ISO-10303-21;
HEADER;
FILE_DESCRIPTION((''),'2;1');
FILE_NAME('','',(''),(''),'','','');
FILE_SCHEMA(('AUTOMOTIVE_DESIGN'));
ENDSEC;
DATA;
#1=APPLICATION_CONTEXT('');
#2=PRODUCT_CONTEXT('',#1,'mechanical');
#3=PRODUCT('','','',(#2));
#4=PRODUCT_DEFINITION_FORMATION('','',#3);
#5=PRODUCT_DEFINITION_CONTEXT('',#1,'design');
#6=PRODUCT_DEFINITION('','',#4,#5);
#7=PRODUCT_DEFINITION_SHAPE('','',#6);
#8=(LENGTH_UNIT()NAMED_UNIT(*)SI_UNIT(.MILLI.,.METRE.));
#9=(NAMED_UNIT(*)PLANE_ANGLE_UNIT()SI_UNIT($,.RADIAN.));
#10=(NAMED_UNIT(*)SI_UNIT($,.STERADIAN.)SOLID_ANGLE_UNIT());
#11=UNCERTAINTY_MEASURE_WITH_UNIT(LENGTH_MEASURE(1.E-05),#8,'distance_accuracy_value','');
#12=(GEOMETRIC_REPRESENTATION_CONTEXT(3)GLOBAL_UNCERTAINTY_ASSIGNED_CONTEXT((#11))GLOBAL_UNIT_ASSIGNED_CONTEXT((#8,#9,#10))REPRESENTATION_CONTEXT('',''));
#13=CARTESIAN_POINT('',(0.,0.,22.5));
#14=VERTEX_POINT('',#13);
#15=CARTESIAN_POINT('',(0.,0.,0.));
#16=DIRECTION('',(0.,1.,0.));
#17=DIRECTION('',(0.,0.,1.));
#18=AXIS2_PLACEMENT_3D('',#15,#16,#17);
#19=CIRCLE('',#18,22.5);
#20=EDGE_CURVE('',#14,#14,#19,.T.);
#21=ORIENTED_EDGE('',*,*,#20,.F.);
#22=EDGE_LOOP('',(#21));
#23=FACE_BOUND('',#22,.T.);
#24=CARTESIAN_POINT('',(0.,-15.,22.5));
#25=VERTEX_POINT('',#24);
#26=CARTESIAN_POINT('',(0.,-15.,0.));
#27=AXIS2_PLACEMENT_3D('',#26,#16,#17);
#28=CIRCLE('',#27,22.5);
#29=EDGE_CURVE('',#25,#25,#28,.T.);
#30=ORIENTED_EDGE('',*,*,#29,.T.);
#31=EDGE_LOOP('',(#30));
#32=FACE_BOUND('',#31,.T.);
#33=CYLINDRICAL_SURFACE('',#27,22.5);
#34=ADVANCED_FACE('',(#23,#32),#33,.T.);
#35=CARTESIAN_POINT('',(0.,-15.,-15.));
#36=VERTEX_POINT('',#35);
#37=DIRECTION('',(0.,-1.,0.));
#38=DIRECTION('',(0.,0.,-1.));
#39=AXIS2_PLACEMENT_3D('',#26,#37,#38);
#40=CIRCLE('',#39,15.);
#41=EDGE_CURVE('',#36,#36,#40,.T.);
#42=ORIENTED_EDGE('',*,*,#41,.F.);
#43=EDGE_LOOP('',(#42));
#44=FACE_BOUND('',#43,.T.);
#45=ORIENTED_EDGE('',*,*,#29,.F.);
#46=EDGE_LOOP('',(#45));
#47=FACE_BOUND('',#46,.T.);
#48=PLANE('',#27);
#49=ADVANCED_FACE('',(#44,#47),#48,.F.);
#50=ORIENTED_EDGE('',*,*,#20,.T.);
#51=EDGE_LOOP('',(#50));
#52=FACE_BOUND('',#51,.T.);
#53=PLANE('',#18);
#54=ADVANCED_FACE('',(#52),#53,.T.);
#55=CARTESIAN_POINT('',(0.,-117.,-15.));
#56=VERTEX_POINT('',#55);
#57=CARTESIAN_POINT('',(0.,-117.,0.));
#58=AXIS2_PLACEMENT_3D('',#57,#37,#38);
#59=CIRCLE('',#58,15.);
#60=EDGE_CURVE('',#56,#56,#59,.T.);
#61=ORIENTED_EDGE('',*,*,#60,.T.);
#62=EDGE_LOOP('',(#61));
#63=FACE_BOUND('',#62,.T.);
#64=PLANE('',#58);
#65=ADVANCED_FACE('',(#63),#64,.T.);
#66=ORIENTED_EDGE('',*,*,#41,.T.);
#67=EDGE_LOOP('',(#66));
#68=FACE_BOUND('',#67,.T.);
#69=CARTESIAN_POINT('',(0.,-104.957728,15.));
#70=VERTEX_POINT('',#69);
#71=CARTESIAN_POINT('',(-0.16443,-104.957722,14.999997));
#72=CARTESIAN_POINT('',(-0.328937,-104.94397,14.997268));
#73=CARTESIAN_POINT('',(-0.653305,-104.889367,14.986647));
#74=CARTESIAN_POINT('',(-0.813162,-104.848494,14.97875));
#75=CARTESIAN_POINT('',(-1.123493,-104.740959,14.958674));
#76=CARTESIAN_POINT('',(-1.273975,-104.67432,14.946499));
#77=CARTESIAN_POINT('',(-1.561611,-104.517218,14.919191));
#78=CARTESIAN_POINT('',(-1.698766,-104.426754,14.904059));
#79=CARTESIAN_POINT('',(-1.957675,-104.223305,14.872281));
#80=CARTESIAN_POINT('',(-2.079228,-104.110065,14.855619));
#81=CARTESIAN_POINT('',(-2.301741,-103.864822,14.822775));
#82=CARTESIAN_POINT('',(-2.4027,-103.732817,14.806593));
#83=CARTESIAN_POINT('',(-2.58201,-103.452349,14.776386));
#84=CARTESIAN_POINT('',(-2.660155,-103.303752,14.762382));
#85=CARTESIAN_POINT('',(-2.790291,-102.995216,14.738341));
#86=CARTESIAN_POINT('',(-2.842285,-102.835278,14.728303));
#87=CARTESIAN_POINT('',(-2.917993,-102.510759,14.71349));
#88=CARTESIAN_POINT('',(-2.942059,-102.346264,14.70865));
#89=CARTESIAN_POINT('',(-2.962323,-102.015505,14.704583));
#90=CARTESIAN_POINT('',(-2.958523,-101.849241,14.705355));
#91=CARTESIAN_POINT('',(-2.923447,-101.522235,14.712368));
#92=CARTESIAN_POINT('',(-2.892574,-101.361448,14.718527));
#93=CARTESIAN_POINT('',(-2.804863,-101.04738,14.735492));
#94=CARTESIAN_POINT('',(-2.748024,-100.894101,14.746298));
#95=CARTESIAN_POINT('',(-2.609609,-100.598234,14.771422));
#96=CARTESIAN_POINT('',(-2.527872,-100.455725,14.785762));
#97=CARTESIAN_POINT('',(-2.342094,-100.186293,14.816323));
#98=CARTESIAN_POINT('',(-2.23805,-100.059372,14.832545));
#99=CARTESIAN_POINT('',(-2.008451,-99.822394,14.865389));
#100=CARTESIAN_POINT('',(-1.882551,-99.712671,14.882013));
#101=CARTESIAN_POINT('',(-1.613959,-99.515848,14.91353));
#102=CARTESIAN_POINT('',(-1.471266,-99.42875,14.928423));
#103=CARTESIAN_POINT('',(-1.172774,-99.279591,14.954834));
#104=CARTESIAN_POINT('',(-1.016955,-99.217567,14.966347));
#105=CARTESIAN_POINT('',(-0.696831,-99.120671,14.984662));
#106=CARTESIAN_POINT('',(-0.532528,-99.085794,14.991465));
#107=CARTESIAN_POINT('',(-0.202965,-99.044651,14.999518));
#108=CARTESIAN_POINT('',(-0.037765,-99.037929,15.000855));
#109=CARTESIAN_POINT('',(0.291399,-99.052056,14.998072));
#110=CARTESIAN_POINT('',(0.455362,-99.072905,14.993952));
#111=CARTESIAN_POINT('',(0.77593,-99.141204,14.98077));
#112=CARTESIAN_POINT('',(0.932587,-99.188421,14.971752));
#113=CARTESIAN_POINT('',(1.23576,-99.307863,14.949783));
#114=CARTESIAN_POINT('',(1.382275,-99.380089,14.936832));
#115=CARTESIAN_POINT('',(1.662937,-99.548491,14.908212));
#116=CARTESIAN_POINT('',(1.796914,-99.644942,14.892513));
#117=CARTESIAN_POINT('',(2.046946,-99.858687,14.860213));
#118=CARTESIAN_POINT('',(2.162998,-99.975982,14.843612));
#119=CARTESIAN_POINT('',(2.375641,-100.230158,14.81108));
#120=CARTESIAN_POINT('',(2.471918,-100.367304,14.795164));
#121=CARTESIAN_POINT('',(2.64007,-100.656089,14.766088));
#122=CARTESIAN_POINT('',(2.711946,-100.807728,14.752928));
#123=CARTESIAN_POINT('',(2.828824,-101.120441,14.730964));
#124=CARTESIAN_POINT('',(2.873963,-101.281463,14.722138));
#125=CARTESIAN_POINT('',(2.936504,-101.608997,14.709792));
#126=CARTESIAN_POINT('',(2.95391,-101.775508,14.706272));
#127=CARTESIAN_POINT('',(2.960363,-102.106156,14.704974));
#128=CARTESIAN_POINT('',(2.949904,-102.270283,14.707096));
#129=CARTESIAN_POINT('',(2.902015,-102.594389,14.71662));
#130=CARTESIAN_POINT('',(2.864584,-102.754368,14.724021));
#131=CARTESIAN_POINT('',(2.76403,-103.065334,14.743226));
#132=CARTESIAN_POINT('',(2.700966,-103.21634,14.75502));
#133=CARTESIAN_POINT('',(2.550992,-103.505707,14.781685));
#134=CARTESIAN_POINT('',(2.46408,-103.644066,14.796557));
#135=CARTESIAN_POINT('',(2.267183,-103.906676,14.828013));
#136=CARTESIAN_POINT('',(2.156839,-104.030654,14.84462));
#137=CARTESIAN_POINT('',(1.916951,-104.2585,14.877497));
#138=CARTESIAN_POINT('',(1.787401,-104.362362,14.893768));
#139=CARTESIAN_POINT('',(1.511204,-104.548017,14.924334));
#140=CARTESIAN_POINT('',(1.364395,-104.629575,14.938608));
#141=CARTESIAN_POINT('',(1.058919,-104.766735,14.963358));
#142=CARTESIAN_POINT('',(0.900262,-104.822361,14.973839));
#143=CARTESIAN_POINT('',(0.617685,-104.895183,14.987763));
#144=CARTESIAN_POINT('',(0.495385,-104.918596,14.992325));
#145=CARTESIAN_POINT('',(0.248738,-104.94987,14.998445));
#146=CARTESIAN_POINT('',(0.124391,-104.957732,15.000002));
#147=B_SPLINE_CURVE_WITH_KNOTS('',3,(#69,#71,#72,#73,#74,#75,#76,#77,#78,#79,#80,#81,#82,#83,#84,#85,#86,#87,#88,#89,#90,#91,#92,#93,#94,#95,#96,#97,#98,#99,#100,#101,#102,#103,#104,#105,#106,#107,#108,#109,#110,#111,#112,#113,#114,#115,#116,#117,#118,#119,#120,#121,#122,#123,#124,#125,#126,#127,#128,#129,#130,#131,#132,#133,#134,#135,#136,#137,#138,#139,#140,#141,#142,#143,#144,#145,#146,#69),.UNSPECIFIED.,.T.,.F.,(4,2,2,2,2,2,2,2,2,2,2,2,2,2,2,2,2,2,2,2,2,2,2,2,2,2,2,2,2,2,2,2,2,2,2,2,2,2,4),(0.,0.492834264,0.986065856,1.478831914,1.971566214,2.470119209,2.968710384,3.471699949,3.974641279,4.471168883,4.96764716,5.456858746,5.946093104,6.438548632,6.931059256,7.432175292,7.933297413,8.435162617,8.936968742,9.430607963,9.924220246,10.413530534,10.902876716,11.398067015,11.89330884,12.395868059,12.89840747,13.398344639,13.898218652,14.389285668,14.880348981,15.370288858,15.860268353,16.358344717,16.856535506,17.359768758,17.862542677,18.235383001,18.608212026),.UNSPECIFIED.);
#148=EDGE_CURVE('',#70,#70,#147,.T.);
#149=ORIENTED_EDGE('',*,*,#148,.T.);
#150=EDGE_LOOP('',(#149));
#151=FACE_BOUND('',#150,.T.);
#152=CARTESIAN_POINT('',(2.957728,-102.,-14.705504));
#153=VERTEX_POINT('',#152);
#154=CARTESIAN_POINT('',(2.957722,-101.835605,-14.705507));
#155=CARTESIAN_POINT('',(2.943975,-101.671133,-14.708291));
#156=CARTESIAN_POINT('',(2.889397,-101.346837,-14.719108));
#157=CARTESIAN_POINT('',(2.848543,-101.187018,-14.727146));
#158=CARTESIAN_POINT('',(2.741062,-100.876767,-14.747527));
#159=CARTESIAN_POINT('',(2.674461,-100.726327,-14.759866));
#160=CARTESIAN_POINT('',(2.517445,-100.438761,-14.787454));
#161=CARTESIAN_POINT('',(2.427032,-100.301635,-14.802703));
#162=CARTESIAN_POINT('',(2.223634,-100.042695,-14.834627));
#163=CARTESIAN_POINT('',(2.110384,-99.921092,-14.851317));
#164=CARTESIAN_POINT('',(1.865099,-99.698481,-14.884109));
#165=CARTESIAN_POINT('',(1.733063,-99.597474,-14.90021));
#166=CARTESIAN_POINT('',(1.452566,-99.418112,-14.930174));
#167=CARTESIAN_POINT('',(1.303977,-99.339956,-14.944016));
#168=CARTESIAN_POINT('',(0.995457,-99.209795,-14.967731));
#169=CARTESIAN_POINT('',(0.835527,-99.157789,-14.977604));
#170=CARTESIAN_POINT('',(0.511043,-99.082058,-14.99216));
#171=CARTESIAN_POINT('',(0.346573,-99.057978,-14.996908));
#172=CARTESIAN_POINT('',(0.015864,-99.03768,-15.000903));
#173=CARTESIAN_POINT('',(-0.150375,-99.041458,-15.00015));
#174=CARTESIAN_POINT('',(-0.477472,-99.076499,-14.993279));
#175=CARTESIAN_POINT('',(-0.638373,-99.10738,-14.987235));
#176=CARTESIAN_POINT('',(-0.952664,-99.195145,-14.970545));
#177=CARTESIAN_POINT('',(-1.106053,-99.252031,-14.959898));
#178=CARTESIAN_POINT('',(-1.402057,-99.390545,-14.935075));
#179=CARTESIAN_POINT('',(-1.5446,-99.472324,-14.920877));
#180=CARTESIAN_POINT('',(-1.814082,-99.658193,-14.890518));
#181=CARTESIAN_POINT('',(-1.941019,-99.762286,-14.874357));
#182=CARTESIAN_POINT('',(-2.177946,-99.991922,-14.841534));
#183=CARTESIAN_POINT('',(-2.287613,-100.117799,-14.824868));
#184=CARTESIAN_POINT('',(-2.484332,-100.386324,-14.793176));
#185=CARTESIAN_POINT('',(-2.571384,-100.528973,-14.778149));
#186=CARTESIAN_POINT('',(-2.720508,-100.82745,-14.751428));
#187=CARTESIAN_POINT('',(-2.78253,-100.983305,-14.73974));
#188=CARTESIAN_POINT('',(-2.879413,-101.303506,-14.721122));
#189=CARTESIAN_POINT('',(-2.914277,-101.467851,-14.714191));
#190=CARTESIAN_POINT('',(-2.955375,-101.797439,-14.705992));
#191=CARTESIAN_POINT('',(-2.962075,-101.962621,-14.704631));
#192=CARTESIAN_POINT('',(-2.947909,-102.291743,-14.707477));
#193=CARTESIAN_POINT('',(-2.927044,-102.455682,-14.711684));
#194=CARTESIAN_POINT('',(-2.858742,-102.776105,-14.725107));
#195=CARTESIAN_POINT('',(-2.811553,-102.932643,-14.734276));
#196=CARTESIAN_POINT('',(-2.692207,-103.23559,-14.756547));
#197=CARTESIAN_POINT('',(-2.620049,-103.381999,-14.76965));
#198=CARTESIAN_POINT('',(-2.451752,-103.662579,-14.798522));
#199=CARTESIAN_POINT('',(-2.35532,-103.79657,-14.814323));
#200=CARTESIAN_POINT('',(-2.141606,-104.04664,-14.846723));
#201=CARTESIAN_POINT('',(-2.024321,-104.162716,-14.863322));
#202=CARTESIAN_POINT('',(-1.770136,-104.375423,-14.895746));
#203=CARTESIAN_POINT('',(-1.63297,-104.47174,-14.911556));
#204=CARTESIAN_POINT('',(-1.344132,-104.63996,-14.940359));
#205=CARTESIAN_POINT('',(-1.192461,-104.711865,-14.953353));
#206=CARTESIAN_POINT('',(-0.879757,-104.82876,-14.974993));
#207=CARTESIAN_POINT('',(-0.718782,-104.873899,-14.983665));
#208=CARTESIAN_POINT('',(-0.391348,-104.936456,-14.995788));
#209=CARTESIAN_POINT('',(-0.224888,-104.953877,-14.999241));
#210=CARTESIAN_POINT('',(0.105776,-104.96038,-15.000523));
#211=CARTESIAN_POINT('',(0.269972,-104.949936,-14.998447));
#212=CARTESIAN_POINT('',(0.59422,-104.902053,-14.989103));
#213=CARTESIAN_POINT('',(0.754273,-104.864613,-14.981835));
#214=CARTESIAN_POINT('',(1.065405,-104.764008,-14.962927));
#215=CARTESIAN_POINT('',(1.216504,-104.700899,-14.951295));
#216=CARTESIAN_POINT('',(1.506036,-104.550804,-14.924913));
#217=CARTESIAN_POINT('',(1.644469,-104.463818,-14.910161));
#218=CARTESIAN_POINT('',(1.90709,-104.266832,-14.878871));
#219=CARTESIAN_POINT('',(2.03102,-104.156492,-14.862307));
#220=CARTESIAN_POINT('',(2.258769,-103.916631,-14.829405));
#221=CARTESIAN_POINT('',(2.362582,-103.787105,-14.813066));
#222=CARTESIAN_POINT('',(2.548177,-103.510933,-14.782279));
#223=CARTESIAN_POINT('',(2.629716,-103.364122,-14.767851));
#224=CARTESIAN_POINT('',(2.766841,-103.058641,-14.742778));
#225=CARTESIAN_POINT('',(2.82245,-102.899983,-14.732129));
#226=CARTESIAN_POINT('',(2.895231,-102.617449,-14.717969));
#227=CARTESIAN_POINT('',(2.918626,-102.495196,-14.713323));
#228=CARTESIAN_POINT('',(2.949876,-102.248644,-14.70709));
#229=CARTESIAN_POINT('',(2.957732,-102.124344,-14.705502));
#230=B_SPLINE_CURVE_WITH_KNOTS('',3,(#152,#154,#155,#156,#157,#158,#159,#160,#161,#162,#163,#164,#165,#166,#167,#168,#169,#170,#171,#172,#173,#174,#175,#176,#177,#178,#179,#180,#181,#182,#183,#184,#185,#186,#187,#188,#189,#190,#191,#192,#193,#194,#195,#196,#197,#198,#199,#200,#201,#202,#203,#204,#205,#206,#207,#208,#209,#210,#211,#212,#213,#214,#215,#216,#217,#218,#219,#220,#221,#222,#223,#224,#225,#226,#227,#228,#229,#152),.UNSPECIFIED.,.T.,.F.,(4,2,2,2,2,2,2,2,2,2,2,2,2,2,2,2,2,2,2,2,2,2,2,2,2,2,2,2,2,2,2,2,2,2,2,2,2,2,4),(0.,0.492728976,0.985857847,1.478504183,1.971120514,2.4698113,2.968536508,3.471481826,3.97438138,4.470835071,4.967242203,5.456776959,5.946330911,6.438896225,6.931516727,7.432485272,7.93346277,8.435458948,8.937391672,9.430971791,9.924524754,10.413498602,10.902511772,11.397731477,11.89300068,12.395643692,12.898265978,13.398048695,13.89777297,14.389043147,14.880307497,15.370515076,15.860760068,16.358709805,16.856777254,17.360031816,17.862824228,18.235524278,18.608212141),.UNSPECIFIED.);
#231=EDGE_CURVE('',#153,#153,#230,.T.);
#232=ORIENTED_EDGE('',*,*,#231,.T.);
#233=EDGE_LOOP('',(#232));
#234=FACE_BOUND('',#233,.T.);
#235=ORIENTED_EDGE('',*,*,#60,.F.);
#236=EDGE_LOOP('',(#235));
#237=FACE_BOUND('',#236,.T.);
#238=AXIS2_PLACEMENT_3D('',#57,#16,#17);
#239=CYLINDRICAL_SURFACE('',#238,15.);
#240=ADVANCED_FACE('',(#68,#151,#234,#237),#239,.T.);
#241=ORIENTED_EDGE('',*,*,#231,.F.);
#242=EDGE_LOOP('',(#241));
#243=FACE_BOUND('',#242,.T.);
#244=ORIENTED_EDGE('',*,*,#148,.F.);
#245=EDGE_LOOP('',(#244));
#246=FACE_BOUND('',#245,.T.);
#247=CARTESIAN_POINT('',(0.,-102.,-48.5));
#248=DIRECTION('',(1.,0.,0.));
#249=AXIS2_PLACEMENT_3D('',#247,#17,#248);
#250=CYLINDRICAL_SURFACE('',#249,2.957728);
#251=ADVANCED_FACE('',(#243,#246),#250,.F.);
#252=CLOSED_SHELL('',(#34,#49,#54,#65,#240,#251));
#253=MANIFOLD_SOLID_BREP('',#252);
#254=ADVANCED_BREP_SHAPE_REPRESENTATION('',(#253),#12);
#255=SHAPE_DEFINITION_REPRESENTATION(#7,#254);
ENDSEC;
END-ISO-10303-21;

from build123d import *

# Parameters (mm, degrees)
CROQUIS1_R              = 22.5
SALIENTE_EXTRUIR1_DEPTH = 15
CROQUIS2_R              = 15
SALIENTE_EXTRUIR2_DEPTH = 102
CROQUIS4_R              = 2.957727645
CORTAR_EXTRUIR1_DEPTH   = 48.5


with BuildPart() as part:
    # Croquis1 → Saliente-Extruir1 (new body)
    with BuildSketch(Plane(origin=(0, 0, 0), x_dir=(1, 0, 0), z_dir=(0, 1, 0))):
        with Locations(Location((0, 0, 0), (0, 0, 270))):
            Circle(CROQUIS1_R)
    extrude(amount=-SALIENTE_EXTRUIR1_DEPTH)

    # Croquis2 → Saliente-Extruir2 (add)
    with BuildSketch(Plane.XZ.offset(15)):
        with Locations(Location((0, 0, 0), (0, 0, 270))):
            Circle(CROQUIS2_R)
    extrude(amount=SALIENTE_EXTRUIR2_DEPTH)

    # Croquis4 → Cortar-Extruir1 (cut, symmetric)
    with BuildSketch(Plane.XY):
        with Locations(Location((0, -102, 0), (0, 0, 269.999999959))):
            Circle(CROQUIS4_R)
    extrude(amount=CORTAR_EXTRUIR1_DEPTH, both=True, mode=Mode.SUBTRACT)


solid = part.part
